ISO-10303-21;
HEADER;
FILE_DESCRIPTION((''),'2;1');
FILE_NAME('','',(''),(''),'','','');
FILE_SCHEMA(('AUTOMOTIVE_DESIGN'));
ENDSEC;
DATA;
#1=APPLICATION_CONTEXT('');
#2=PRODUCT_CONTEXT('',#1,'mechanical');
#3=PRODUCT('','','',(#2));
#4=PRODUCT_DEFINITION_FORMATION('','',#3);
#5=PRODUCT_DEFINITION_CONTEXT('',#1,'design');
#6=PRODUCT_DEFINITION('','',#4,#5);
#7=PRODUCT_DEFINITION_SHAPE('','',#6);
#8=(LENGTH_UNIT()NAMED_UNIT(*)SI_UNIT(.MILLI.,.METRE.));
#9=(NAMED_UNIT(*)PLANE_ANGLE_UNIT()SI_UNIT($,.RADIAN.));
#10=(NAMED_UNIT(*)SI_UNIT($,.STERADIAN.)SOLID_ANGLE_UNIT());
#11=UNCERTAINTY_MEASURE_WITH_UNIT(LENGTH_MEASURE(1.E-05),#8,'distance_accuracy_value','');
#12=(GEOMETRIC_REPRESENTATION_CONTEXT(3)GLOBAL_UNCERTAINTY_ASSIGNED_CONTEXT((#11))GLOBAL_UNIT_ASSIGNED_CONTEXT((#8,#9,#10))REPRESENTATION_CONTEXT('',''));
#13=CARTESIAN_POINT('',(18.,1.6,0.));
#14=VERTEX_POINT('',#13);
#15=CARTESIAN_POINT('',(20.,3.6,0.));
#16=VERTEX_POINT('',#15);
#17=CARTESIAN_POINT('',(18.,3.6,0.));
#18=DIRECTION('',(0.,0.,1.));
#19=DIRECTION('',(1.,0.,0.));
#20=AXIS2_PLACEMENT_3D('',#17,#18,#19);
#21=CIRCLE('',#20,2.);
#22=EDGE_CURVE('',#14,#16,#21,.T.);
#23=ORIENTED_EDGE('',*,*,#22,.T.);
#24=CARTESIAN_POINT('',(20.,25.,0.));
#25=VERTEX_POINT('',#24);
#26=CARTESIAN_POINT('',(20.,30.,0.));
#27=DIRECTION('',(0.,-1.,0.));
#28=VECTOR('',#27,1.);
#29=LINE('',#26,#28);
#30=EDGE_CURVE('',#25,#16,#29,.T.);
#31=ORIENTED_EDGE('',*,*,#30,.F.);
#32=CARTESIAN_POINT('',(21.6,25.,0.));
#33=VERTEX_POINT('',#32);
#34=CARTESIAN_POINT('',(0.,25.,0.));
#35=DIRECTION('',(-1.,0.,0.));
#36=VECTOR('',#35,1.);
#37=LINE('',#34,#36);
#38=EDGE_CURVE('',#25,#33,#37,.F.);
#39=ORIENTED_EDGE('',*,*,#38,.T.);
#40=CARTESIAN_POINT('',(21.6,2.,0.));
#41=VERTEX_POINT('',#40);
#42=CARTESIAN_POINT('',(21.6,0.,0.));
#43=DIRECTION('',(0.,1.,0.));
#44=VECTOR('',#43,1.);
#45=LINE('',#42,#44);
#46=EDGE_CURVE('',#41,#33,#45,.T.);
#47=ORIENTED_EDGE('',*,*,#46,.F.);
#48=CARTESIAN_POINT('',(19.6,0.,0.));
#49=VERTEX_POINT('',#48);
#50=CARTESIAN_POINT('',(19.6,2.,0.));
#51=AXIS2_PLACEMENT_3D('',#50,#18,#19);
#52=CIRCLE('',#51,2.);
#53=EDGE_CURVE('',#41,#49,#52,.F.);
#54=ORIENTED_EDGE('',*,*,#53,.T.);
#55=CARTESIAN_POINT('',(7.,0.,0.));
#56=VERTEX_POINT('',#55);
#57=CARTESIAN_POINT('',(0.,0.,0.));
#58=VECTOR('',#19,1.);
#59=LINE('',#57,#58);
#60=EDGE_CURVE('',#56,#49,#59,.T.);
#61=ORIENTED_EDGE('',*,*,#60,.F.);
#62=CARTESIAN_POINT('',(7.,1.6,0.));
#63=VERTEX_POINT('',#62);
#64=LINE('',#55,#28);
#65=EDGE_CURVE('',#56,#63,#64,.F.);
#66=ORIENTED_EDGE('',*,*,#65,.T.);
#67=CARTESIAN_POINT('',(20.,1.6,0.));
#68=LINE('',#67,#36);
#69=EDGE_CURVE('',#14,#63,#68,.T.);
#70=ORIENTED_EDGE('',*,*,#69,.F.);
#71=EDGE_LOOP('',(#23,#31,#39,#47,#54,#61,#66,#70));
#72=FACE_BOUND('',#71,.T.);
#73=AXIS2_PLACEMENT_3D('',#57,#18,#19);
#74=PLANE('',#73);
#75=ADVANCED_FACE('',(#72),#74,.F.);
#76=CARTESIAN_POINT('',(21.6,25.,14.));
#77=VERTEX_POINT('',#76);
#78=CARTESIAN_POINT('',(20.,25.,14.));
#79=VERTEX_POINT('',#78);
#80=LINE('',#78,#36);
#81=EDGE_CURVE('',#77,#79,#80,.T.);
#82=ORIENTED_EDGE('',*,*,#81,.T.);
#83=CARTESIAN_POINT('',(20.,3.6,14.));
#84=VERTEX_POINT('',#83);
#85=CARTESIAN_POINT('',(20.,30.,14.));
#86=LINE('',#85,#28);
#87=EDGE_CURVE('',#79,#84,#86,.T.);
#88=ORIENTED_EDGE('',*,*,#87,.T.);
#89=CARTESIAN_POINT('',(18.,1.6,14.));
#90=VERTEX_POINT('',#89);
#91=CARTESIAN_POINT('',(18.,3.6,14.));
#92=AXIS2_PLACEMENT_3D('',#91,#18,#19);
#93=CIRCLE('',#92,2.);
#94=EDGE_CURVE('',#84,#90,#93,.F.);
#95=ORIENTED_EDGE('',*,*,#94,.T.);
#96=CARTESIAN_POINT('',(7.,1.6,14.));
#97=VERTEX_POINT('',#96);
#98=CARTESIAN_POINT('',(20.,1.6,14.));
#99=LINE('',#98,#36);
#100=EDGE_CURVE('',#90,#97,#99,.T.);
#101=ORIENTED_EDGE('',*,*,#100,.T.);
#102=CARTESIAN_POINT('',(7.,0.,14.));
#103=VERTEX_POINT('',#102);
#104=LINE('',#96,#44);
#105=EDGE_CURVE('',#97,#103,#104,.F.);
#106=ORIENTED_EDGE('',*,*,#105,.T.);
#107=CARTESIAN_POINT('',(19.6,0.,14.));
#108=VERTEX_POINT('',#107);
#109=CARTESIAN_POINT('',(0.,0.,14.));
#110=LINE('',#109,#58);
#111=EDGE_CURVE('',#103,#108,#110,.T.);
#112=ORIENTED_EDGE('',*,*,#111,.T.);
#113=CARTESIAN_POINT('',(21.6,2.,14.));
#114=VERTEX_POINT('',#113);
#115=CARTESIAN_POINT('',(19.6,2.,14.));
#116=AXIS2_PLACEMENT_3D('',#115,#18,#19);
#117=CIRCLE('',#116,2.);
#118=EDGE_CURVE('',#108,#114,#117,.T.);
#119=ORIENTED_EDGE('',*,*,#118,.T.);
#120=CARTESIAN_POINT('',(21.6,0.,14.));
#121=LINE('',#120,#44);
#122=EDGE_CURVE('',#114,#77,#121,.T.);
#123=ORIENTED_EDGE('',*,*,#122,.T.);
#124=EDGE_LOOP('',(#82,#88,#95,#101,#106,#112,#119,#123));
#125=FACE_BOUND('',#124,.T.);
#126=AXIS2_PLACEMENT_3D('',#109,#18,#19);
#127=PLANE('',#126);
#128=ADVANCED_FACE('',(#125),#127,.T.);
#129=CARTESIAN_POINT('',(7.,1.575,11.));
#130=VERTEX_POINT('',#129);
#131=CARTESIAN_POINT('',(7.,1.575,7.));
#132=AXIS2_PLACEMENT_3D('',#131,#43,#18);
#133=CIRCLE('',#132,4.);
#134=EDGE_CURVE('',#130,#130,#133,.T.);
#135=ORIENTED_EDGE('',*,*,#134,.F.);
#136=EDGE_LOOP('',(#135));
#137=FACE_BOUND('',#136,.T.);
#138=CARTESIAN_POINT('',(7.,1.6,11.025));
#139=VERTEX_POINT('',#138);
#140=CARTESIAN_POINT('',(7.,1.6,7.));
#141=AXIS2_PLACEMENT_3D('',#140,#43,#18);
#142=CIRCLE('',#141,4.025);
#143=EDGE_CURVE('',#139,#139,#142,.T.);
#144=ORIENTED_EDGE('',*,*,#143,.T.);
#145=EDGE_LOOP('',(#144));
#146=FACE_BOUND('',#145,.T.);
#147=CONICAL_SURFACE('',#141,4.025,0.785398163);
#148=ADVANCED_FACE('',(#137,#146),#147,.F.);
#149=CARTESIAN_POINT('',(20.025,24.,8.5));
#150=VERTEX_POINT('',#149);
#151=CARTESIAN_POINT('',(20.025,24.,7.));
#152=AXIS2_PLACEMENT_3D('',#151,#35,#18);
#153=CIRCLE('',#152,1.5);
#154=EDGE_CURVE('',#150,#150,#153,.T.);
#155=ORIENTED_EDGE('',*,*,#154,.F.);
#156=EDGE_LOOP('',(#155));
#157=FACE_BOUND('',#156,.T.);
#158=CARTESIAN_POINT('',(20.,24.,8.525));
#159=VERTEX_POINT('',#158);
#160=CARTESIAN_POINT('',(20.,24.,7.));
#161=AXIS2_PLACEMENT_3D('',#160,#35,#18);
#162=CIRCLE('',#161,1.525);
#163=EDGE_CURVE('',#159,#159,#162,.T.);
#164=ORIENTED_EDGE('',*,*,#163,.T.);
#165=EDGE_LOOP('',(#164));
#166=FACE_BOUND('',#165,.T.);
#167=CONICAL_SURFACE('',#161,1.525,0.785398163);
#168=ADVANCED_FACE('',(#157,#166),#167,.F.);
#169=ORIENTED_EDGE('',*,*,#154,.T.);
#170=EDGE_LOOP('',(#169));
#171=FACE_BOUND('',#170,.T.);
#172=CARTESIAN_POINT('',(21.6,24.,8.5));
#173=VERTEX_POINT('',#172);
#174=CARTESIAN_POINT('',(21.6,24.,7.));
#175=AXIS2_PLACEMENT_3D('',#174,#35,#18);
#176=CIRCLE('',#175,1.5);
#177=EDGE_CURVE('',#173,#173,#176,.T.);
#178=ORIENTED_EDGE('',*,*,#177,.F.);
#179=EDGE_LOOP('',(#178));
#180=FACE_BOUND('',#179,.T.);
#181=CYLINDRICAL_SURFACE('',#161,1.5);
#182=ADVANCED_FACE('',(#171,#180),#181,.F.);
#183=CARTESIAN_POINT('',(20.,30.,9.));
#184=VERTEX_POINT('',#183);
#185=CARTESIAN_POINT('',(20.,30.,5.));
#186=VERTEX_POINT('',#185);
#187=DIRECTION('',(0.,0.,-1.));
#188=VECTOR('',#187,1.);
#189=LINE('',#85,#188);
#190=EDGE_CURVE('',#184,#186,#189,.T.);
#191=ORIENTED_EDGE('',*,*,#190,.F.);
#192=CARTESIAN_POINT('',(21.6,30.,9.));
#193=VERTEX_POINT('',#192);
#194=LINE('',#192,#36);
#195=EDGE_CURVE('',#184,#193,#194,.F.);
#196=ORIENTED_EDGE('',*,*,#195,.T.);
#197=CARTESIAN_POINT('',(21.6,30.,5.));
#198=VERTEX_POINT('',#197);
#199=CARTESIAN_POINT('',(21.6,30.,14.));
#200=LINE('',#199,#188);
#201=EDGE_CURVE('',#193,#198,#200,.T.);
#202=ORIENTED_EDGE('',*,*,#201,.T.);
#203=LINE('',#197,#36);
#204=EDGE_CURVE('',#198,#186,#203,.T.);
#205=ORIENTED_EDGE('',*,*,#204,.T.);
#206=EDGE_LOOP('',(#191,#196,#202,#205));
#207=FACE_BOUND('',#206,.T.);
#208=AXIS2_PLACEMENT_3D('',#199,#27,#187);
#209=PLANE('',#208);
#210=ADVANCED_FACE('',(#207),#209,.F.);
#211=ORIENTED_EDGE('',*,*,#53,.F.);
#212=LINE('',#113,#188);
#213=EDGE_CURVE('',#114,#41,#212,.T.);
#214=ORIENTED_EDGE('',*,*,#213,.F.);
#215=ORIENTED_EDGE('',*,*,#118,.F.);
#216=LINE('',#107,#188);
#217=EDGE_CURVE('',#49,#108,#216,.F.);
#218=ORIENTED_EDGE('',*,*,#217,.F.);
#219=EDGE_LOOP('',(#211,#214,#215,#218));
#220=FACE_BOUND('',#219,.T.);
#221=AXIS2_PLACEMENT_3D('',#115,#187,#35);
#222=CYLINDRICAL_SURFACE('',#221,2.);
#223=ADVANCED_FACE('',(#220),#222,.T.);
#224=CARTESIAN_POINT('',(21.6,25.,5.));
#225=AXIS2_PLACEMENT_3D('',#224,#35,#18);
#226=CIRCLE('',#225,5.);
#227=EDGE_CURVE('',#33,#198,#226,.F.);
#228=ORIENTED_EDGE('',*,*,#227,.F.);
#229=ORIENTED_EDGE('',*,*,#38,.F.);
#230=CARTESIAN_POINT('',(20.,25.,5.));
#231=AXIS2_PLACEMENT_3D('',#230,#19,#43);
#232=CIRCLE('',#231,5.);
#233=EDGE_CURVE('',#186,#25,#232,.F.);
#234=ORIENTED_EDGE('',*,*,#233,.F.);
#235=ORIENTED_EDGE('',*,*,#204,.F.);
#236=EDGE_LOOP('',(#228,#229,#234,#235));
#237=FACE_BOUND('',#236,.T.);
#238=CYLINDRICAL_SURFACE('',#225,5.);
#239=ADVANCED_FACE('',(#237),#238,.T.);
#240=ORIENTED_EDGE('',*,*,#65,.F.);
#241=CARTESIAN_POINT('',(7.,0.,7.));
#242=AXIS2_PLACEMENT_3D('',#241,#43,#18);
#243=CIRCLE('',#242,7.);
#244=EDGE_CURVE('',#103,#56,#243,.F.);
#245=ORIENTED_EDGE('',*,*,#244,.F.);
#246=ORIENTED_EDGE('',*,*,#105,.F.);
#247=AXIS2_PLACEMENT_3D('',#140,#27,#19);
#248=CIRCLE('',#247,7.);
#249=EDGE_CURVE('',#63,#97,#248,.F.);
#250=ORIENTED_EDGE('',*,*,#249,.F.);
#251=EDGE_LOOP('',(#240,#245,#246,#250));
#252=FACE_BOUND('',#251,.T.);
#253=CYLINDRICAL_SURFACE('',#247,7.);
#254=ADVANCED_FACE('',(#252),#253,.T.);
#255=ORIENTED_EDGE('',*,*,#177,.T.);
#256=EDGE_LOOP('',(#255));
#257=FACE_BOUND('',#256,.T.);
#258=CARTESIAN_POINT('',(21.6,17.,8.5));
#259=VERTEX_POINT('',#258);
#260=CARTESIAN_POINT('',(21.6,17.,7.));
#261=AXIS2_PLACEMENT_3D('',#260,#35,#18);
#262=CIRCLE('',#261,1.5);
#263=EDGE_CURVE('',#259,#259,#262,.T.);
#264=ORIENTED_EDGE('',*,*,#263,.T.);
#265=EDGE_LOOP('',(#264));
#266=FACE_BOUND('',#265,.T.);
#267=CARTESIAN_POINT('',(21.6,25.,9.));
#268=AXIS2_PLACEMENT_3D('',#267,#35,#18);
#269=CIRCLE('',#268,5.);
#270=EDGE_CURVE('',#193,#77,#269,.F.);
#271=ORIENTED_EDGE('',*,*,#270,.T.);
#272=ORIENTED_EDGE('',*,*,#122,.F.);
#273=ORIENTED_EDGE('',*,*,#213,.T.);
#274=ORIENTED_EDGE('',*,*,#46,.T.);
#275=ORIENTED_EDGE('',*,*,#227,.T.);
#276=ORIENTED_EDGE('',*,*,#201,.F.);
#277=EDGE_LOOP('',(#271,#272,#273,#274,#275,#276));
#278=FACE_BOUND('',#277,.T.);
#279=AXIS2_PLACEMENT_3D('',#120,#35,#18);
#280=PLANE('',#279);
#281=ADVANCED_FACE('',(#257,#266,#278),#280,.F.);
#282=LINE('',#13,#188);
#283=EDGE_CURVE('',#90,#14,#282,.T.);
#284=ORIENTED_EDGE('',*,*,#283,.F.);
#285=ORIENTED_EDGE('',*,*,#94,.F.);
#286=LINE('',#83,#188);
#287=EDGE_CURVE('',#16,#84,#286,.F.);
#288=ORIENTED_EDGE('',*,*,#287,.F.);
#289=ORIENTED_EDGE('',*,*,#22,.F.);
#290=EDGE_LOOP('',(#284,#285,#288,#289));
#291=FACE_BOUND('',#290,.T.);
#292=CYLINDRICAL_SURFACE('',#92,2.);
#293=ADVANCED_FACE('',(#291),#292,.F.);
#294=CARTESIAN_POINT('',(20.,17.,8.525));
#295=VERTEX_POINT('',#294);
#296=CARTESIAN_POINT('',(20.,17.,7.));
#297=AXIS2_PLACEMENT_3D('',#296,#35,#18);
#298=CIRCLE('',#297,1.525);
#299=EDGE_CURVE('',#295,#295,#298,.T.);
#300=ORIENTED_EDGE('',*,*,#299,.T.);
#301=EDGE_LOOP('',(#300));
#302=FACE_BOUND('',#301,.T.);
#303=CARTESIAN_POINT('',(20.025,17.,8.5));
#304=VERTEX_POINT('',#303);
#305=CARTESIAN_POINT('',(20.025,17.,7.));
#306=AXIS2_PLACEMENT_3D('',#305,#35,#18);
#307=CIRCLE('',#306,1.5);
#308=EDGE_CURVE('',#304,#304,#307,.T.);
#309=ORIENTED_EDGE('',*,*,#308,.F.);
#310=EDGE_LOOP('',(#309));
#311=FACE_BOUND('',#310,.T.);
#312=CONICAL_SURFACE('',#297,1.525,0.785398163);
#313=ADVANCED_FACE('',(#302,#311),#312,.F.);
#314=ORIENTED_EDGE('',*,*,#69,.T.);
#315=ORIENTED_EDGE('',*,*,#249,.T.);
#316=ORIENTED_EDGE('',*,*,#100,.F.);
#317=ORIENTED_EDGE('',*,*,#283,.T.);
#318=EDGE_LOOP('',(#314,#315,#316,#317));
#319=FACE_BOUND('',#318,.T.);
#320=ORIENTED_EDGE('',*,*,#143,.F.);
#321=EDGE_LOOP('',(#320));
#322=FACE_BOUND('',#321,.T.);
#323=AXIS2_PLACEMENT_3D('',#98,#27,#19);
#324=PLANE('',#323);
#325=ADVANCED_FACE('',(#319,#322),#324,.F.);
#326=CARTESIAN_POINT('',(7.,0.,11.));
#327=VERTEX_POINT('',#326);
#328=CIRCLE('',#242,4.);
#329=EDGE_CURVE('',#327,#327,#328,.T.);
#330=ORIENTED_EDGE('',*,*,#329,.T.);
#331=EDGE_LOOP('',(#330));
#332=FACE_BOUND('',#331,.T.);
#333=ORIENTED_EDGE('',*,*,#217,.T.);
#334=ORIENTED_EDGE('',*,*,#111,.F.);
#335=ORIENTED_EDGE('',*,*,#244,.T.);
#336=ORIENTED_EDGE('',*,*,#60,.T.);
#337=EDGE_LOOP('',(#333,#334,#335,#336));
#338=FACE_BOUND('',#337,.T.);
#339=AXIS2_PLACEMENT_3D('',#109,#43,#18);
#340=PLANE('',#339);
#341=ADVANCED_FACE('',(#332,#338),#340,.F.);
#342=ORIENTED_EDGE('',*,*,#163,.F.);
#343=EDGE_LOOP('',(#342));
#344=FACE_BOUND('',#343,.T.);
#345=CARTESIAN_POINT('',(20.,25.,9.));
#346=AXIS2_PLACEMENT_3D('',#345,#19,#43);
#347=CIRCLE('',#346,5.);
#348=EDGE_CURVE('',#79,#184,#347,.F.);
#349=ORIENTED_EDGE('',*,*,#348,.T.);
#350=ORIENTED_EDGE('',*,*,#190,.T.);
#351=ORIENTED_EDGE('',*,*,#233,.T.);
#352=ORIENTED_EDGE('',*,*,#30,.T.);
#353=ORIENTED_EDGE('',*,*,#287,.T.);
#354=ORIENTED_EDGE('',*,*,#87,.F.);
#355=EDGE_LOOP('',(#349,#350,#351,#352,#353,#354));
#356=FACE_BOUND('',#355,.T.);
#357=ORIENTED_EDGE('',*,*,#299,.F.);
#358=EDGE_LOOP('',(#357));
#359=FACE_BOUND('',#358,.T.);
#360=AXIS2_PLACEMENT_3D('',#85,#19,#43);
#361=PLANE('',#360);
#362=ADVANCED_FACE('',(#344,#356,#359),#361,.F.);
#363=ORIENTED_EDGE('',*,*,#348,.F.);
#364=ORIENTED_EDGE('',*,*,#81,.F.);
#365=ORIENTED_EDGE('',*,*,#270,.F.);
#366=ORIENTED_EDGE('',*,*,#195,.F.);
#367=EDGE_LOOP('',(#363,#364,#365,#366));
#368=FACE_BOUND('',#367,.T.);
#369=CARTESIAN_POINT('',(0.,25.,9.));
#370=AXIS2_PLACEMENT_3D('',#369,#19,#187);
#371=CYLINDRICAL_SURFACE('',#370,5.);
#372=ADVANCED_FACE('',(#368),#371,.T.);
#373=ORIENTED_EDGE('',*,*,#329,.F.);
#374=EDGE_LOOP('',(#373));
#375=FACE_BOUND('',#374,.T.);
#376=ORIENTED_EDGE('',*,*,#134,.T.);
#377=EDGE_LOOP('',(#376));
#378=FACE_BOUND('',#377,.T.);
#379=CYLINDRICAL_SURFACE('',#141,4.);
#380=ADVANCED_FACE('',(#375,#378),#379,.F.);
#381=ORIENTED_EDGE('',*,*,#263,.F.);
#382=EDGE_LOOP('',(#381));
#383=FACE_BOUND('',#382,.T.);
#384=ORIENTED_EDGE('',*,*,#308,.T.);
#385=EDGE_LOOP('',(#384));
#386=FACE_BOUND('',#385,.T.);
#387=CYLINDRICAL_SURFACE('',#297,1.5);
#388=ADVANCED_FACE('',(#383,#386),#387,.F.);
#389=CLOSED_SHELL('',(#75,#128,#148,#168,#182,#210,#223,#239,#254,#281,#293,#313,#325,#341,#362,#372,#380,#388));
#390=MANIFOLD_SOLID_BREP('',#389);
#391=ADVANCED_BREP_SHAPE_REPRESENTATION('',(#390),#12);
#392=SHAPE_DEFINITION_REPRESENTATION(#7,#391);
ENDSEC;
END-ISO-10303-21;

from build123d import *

# Parameters (mm, degrees)
BOSS_EXTRUDE1_DEPTH             = 14
FILLET1_RADIUS                  = 7
FILLET1_LENGTH                  = 1.6
F_8_0MM_DOWEL_HOLE2_D           = 8
F_8_0MM_DOWEL_HOLE2_DEPTH       = 30
F_8_0MM_DOWEL_HOLE2_CSINK_D     = 8.05
F_8_0MM_DOWEL_HOLE2_CSINK_ANGLE = 90
F_8_0MM_DOWEL_HOLE2_TIP         = 2.403442476
F_3_0MM_DOWEL_HOLE1_D           = 3
F_3_0MM_DOWEL_HOLE1_DEPTH       = 30
F_3_0MM_DOWEL_HOLE1_CSINK_D     = 3.05
F_3_0MM_DOWEL_HOLE1_CSINK_ANGLE = 90
F_3_0MM_DOWEL_HOLE1_TIP         = 0.901290929
FILLET2_R                       = 5
FILLET3_R                       = 2


with BuildPart() as part:
    # Sketch1 → Boss-Extrude1 (new body)
    with BuildSketch(Plane.XY):
        Polygon((0, 0), (21.6, 0), (21.6, 30), (20, 30), (20, 1.6), (0, 1.6), align=None)
    extrude(amount=BOSS_EXTRUDE1_DEPTH)

    # Fillet1: full round fillet: the end face becomes a half cylinder, R = half its width
    fillet1_face = Plane((0, 0.8, 7), x_dir=(0, 1, 0), z_dir=(-1, 0, 0))  # on the end face: x along it, z out of the body
    fillet1_slab = fillet1_face.offset(-FILLET1_RADIUS / 2) * Box(FILLET1_LENGTH, 2 * FILLET1_RADIUS, FILLET1_RADIUS, mode=Mode.PRIVATE)  # the body's end, R deep
    fillet1_round = Plane((7, 0.8, 7), x_dir=(-1, 0, 0), z_dir=(0, 1, 0)) * Cylinder(FILLET1_RADIUS, FILLET1_LENGTH, mode=Mode.PRIVATE)  # its axis R under the face
    add(fillet1_slab - fillet1_round, mode=Mode.SUBTRACT)

    # Ø8.0mm Dowel Hole2
    with Locations(Plane(origin=(0, 1.6, 0), x_dir=(1, 0, 0), z_dir=(0, 1, 0))):
        with Locations((7, -7)):
            CounterSinkHole(F_8_0MM_DOWEL_HOLE2_D / 2, F_8_0MM_DOWEL_HOLE2_CSINK_D / 2, depth=F_8_0MM_DOWEL_HOLE2_DEPTH, counter_sink_angle=F_8_0MM_DOWEL_HOLE2_CSINK_ANGLE)
            with Locations((0, 0, -(F_8_0MM_DOWEL_HOLE2_DEPTH + F_8_0MM_DOWEL_HOLE2_TIP / 2))):  # 118° drill point
                Cone(0, F_8_0MM_DOWEL_HOLE2_D / 2, F_8_0MM_DOWEL_HOLE2_TIP, mode=Mode.SUBTRACT)

    # Ø3.0mm Dowel Hole1
    with Locations(Plane.ZY.offset(-20)):
        with Locations((7, 24), (7, 17)):
            CounterSinkHole(F_3_0MM_DOWEL_HOLE1_D / 2, F_3_0MM_DOWEL_HOLE1_CSINK_D / 2, depth=F_3_0MM_DOWEL_HOLE1_DEPTH, counter_sink_angle=F_3_0MM_DOWEL_HOLE1_CSINK_ANGLE)
            with Locations((0, 0, -(F_3_0MM_DOWEL_HOLE1_DEPTH + F_3_0MM_DOWEL_HOLE1_TIP / 2))):  # 118° drill point
                Cone(0, F_3_0MM_DOWEL_HOLE1_D / 2, F_3_0MM_DOWEL_HOLE1_TIP, mode=Mode.SUBTRACT)

    # Fillet2
    fillet2_edges = [part.edges().sort_by_distance(p)[0] for p in [
        (20.8, 30, 14),
        (20.8, 30, 0),
    ]]
    fillet(fillet2_edges, radius=FILLET2_R)

    # Fillet3
    fillet3_edges = [part.edges().sort_by_distance(p)[0] for p in [
        (20, 1.6, 7),
        (21.6, 0, 7),
    ]]
    fillet(fillet3_edges, radius=FILLET3_R)


solid = part.part
